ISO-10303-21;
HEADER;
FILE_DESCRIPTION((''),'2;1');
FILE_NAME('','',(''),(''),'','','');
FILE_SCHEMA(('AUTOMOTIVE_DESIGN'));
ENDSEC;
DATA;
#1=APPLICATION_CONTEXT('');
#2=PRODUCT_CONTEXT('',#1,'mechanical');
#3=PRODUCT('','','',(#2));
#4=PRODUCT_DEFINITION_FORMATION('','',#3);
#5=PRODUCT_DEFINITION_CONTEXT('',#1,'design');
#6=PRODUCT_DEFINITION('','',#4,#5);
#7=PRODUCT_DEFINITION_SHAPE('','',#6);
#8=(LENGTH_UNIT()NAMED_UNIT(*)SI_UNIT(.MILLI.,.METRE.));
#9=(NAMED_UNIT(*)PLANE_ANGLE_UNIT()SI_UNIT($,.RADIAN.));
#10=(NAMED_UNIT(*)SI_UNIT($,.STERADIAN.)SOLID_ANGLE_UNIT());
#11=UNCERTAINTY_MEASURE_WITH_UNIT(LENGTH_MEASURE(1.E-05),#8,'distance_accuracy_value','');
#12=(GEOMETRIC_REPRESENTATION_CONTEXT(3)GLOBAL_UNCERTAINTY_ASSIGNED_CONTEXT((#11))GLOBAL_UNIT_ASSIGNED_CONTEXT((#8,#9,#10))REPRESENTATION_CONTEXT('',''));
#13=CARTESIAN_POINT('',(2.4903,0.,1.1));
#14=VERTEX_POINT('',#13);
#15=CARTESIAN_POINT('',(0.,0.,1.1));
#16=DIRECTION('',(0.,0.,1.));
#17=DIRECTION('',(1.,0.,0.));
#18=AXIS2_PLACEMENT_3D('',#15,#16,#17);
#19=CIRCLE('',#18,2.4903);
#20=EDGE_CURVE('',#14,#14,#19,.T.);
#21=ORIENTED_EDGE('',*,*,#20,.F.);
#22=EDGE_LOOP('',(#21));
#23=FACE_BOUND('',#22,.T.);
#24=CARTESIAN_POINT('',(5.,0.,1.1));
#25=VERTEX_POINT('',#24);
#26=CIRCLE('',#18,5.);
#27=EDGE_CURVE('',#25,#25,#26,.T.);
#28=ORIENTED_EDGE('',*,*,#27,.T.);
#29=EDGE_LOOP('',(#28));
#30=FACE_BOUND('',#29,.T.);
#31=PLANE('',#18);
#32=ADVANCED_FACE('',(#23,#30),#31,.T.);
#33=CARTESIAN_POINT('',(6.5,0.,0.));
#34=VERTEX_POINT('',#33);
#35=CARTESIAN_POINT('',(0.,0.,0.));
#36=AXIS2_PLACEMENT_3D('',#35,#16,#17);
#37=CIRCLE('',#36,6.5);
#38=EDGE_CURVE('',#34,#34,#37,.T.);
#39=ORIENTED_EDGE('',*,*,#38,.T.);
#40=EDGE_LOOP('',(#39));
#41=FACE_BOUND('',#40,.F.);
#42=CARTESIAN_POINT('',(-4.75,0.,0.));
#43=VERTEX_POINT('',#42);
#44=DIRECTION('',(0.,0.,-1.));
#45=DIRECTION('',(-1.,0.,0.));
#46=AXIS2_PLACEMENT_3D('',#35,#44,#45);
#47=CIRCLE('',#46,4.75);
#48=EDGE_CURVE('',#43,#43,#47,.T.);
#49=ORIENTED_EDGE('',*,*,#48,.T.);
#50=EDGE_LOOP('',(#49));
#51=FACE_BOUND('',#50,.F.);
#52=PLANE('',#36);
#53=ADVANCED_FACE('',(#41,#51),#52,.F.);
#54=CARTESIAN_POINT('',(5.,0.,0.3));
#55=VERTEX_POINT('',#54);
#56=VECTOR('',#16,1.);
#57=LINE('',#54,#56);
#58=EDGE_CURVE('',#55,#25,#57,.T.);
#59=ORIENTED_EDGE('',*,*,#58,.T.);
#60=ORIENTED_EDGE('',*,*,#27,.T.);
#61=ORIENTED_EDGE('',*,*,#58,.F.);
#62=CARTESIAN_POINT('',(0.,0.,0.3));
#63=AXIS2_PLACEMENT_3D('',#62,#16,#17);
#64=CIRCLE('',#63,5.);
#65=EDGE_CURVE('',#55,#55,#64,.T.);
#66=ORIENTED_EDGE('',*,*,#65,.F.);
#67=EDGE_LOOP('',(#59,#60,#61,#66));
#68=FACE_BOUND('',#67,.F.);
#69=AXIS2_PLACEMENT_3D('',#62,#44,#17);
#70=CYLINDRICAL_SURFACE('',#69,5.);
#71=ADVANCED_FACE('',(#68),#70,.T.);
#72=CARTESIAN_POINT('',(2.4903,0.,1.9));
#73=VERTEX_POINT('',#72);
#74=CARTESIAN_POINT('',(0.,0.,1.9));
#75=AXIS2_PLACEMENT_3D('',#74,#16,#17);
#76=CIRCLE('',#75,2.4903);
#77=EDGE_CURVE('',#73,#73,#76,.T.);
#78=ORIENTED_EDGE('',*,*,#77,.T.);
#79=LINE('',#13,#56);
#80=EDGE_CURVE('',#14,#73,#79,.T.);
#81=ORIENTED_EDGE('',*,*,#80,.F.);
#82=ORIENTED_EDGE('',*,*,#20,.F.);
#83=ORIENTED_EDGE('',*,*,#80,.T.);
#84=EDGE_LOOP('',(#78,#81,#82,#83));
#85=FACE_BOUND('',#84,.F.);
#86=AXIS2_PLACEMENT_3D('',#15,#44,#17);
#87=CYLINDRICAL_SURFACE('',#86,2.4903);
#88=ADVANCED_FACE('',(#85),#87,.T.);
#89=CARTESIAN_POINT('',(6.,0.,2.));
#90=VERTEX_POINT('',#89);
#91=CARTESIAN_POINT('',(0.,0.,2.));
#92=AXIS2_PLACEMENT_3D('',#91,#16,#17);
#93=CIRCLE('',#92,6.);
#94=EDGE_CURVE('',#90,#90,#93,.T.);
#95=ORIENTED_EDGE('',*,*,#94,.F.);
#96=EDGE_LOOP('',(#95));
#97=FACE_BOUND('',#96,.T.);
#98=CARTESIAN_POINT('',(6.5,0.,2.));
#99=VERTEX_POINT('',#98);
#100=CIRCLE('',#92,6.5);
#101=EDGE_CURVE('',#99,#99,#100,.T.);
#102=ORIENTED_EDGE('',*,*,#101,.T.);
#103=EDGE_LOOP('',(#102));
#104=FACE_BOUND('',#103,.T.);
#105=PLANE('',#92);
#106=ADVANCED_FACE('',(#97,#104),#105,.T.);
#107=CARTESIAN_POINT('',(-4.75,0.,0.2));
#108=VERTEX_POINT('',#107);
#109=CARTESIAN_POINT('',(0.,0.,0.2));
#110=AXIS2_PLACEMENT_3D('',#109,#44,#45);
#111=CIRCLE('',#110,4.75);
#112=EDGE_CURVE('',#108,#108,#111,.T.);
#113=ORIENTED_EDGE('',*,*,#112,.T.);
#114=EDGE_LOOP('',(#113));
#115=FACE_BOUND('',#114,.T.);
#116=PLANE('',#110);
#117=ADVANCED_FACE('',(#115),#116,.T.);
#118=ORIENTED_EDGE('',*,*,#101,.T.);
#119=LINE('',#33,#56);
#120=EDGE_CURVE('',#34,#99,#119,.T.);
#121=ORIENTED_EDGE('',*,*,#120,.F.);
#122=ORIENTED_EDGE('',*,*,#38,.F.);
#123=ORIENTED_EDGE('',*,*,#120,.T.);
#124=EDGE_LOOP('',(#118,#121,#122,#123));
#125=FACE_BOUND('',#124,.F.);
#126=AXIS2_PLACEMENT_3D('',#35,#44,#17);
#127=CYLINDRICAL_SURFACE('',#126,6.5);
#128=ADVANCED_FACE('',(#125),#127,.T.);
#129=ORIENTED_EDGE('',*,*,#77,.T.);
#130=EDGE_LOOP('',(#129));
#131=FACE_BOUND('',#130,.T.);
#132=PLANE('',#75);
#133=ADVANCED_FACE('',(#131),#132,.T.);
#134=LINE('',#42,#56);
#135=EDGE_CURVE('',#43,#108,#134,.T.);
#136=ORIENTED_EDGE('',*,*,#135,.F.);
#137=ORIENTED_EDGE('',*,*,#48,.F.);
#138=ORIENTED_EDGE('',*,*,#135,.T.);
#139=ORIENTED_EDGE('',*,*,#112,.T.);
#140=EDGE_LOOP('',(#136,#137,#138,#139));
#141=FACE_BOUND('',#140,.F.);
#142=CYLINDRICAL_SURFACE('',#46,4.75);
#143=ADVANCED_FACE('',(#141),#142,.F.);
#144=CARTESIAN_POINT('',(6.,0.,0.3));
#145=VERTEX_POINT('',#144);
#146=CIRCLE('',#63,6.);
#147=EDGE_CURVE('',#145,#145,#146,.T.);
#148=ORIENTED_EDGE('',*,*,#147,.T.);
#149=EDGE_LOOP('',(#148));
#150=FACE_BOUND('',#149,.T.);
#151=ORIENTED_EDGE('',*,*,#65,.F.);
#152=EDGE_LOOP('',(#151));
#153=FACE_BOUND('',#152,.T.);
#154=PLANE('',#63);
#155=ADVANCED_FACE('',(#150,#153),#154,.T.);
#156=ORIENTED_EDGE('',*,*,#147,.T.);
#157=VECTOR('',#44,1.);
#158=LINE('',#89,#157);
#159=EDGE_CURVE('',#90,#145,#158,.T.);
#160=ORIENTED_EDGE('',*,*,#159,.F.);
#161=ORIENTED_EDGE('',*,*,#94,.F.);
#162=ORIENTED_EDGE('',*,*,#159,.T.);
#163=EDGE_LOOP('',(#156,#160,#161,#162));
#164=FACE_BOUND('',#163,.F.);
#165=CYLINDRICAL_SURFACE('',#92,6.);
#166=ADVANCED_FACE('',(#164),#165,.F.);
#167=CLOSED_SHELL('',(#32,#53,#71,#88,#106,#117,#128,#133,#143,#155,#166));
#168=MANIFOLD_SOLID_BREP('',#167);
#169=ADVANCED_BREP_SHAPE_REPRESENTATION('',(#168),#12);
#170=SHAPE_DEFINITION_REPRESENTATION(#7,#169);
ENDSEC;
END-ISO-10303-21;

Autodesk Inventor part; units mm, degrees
ref_plane "YZ Plane" through (0, 0, 0) normal (1, 0, 0) x (0, 1, 0)
ref_plane "XZ Plane" through (0, 0, 0) normal (0, 1, 0) x (-1, 0, 0)
ref_plane "XY Plane" through (0, 0, 0) normal (0, 0, 1) x (1, 0, 0)
sketch "Skizze1" plane through (0, 0, 0) normal (0, 0, 1) x (1, 0, 0)
  circle A0 centre (0, 0) radius 6.5
  dimension "d2" = 13
extrude "Extrusion1" add sketch "Skizze1" along normal blind 2
sketch "Skizze2" plane through (0, 0, 2) normal (0, 0, 1) x (1, 0, 0)
  circle A0 centre (0, 0) radius 6
  dimension "d3" = 12
extrude "Extrusion2" cut sketch "Skizze2" against normal blind 1.7
sketch "Skizze3" plane through (0, 0, 0.3) normal (0, 0, 1) x (1, 0, 0)
  circle A0 centre (0, 0) radius 5
  dimension "d6" = 10
extrude "Extrusion3" add sketch "Skizze3" along normal blind 0.8
sketch "Skizze4" plane through (0, 0, 1.1) normal (0, 0, 1) x (1, 0, 0)
  circle A0 centre (0, 0) radius 2.4903
extrude "Extrusion4" add sketch "Skizze4" along normal blind 0.8
sketch "Skizze5" plane through (0, 0, 0) normal (0, 0, -1) x (-1, 0, 0)
  circle A0 centre (0, 0) radius 4.75
  dimension "d11" = 9.5
extrude "Extrusion5" cut sketch "Skizze5" against normal blind 0.2
properties part number "Gummipad" material "Glas"
